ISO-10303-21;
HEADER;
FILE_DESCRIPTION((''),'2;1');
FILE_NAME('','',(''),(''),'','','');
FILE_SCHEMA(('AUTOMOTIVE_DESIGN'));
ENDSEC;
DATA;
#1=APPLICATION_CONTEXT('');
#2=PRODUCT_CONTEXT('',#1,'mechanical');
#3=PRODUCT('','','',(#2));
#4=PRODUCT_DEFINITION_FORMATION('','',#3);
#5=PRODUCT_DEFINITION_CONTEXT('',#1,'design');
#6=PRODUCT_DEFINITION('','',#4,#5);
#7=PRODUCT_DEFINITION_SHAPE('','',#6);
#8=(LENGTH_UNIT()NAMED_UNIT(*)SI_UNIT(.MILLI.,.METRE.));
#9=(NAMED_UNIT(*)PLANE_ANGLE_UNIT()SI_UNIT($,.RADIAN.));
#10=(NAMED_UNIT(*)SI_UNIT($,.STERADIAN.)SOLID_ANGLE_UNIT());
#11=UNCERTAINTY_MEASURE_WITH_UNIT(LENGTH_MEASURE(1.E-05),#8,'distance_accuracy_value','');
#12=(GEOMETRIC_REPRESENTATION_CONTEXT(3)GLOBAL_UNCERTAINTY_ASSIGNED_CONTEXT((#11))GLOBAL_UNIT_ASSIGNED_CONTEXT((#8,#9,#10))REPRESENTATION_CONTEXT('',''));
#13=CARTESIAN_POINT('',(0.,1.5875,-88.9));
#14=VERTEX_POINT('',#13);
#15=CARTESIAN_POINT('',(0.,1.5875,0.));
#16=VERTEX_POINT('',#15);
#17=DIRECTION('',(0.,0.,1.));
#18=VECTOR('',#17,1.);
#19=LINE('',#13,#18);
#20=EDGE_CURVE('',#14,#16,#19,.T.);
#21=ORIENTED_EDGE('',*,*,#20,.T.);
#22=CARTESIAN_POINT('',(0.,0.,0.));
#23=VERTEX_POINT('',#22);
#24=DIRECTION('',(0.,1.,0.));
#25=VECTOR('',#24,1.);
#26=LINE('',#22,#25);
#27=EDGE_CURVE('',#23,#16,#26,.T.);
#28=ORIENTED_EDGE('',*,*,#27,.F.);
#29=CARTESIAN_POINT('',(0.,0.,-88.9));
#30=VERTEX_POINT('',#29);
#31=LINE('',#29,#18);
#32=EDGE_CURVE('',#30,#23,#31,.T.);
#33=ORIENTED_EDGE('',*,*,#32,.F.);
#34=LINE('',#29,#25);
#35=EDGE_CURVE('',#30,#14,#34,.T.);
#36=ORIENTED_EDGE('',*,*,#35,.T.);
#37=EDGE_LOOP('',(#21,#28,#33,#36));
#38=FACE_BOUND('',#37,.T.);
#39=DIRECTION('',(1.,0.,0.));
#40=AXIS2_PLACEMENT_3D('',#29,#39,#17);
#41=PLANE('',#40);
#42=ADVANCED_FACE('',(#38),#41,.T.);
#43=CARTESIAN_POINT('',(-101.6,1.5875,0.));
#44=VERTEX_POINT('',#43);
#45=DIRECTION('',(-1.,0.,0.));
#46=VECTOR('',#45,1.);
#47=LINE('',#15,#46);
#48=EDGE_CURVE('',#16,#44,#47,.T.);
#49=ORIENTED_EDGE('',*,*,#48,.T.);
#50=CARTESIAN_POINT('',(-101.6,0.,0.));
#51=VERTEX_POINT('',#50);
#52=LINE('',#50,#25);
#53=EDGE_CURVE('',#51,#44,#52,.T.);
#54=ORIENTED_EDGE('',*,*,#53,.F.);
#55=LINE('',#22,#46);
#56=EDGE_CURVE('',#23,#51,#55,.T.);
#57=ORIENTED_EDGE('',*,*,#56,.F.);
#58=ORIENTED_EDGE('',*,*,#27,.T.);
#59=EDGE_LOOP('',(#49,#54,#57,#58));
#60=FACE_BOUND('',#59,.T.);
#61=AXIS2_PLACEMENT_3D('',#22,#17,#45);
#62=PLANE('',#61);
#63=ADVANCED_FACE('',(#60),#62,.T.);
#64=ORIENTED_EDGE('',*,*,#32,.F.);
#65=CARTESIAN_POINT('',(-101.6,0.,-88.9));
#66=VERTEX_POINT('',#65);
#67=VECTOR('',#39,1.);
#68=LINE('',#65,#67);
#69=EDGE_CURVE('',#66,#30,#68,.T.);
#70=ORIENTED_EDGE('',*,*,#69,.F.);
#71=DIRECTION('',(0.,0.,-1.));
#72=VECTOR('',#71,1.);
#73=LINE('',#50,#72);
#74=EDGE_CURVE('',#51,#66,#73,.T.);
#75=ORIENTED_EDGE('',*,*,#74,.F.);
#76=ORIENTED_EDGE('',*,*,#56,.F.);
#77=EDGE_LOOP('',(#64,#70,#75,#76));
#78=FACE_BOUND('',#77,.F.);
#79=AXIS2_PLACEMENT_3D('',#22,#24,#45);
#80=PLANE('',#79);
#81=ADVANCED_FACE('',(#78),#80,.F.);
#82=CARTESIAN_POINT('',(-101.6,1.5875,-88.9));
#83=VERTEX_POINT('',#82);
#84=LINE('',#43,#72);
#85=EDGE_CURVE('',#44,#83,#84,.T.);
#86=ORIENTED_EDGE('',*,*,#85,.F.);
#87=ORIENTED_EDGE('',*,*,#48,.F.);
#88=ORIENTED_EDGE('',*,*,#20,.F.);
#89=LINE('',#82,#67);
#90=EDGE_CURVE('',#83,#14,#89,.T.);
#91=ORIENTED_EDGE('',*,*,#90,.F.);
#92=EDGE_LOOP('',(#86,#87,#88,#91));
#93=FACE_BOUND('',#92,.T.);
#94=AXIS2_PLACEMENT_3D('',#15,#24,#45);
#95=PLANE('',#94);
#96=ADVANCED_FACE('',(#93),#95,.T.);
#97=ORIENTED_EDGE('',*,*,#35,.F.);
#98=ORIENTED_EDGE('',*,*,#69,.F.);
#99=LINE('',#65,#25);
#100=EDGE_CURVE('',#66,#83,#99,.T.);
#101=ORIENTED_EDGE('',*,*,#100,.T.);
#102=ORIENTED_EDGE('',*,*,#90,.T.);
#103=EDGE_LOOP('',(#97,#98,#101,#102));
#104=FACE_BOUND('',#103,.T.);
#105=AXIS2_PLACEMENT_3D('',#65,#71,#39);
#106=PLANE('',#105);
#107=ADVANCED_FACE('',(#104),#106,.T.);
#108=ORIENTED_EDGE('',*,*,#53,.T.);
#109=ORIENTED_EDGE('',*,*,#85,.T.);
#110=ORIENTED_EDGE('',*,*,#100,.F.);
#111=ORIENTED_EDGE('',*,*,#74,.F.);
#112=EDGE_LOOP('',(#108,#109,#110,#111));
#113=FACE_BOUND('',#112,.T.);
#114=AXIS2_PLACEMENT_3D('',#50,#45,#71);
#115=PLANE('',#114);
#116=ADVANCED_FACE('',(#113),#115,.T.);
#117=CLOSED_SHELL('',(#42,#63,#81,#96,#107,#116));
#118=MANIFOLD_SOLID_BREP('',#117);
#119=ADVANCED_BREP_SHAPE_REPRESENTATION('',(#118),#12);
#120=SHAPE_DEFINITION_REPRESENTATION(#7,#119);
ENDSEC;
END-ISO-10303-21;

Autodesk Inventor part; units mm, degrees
ref_plane "YZ Plane" through (0, 0, 0) normal (1, 0, 0) x (0, 1, 0)
ref_plane "XZ Plane" through (0, 0, 0) normal (0, 1, 0) x (-1, 0, 0)
ref_plane "XY Plane" through (0, 0, 0) normal (0, 0, 1) x (1, 0, 0)
sketch "Sketch1" plane through (0, 0, 0) normal (0, 1, 0) x (-1, 0, 0)
  line L0 (0, 0) -> (101.6, 0)
  line L1 (101.6, 0) -> (101.6, -88.9)
  line L2 (101.6, -88.9) -> (0, -88.9)
  line L3 (0, -88.9) -> (0, 0)
  dimension "d0" = 88.9
  dimension "d1" = 101.6
extrude "Extrusion1" add sketch "Sketch1" along normal blind 1.5875
properties part number "Bottom Sides" material "Polycarbonate, Clear"
